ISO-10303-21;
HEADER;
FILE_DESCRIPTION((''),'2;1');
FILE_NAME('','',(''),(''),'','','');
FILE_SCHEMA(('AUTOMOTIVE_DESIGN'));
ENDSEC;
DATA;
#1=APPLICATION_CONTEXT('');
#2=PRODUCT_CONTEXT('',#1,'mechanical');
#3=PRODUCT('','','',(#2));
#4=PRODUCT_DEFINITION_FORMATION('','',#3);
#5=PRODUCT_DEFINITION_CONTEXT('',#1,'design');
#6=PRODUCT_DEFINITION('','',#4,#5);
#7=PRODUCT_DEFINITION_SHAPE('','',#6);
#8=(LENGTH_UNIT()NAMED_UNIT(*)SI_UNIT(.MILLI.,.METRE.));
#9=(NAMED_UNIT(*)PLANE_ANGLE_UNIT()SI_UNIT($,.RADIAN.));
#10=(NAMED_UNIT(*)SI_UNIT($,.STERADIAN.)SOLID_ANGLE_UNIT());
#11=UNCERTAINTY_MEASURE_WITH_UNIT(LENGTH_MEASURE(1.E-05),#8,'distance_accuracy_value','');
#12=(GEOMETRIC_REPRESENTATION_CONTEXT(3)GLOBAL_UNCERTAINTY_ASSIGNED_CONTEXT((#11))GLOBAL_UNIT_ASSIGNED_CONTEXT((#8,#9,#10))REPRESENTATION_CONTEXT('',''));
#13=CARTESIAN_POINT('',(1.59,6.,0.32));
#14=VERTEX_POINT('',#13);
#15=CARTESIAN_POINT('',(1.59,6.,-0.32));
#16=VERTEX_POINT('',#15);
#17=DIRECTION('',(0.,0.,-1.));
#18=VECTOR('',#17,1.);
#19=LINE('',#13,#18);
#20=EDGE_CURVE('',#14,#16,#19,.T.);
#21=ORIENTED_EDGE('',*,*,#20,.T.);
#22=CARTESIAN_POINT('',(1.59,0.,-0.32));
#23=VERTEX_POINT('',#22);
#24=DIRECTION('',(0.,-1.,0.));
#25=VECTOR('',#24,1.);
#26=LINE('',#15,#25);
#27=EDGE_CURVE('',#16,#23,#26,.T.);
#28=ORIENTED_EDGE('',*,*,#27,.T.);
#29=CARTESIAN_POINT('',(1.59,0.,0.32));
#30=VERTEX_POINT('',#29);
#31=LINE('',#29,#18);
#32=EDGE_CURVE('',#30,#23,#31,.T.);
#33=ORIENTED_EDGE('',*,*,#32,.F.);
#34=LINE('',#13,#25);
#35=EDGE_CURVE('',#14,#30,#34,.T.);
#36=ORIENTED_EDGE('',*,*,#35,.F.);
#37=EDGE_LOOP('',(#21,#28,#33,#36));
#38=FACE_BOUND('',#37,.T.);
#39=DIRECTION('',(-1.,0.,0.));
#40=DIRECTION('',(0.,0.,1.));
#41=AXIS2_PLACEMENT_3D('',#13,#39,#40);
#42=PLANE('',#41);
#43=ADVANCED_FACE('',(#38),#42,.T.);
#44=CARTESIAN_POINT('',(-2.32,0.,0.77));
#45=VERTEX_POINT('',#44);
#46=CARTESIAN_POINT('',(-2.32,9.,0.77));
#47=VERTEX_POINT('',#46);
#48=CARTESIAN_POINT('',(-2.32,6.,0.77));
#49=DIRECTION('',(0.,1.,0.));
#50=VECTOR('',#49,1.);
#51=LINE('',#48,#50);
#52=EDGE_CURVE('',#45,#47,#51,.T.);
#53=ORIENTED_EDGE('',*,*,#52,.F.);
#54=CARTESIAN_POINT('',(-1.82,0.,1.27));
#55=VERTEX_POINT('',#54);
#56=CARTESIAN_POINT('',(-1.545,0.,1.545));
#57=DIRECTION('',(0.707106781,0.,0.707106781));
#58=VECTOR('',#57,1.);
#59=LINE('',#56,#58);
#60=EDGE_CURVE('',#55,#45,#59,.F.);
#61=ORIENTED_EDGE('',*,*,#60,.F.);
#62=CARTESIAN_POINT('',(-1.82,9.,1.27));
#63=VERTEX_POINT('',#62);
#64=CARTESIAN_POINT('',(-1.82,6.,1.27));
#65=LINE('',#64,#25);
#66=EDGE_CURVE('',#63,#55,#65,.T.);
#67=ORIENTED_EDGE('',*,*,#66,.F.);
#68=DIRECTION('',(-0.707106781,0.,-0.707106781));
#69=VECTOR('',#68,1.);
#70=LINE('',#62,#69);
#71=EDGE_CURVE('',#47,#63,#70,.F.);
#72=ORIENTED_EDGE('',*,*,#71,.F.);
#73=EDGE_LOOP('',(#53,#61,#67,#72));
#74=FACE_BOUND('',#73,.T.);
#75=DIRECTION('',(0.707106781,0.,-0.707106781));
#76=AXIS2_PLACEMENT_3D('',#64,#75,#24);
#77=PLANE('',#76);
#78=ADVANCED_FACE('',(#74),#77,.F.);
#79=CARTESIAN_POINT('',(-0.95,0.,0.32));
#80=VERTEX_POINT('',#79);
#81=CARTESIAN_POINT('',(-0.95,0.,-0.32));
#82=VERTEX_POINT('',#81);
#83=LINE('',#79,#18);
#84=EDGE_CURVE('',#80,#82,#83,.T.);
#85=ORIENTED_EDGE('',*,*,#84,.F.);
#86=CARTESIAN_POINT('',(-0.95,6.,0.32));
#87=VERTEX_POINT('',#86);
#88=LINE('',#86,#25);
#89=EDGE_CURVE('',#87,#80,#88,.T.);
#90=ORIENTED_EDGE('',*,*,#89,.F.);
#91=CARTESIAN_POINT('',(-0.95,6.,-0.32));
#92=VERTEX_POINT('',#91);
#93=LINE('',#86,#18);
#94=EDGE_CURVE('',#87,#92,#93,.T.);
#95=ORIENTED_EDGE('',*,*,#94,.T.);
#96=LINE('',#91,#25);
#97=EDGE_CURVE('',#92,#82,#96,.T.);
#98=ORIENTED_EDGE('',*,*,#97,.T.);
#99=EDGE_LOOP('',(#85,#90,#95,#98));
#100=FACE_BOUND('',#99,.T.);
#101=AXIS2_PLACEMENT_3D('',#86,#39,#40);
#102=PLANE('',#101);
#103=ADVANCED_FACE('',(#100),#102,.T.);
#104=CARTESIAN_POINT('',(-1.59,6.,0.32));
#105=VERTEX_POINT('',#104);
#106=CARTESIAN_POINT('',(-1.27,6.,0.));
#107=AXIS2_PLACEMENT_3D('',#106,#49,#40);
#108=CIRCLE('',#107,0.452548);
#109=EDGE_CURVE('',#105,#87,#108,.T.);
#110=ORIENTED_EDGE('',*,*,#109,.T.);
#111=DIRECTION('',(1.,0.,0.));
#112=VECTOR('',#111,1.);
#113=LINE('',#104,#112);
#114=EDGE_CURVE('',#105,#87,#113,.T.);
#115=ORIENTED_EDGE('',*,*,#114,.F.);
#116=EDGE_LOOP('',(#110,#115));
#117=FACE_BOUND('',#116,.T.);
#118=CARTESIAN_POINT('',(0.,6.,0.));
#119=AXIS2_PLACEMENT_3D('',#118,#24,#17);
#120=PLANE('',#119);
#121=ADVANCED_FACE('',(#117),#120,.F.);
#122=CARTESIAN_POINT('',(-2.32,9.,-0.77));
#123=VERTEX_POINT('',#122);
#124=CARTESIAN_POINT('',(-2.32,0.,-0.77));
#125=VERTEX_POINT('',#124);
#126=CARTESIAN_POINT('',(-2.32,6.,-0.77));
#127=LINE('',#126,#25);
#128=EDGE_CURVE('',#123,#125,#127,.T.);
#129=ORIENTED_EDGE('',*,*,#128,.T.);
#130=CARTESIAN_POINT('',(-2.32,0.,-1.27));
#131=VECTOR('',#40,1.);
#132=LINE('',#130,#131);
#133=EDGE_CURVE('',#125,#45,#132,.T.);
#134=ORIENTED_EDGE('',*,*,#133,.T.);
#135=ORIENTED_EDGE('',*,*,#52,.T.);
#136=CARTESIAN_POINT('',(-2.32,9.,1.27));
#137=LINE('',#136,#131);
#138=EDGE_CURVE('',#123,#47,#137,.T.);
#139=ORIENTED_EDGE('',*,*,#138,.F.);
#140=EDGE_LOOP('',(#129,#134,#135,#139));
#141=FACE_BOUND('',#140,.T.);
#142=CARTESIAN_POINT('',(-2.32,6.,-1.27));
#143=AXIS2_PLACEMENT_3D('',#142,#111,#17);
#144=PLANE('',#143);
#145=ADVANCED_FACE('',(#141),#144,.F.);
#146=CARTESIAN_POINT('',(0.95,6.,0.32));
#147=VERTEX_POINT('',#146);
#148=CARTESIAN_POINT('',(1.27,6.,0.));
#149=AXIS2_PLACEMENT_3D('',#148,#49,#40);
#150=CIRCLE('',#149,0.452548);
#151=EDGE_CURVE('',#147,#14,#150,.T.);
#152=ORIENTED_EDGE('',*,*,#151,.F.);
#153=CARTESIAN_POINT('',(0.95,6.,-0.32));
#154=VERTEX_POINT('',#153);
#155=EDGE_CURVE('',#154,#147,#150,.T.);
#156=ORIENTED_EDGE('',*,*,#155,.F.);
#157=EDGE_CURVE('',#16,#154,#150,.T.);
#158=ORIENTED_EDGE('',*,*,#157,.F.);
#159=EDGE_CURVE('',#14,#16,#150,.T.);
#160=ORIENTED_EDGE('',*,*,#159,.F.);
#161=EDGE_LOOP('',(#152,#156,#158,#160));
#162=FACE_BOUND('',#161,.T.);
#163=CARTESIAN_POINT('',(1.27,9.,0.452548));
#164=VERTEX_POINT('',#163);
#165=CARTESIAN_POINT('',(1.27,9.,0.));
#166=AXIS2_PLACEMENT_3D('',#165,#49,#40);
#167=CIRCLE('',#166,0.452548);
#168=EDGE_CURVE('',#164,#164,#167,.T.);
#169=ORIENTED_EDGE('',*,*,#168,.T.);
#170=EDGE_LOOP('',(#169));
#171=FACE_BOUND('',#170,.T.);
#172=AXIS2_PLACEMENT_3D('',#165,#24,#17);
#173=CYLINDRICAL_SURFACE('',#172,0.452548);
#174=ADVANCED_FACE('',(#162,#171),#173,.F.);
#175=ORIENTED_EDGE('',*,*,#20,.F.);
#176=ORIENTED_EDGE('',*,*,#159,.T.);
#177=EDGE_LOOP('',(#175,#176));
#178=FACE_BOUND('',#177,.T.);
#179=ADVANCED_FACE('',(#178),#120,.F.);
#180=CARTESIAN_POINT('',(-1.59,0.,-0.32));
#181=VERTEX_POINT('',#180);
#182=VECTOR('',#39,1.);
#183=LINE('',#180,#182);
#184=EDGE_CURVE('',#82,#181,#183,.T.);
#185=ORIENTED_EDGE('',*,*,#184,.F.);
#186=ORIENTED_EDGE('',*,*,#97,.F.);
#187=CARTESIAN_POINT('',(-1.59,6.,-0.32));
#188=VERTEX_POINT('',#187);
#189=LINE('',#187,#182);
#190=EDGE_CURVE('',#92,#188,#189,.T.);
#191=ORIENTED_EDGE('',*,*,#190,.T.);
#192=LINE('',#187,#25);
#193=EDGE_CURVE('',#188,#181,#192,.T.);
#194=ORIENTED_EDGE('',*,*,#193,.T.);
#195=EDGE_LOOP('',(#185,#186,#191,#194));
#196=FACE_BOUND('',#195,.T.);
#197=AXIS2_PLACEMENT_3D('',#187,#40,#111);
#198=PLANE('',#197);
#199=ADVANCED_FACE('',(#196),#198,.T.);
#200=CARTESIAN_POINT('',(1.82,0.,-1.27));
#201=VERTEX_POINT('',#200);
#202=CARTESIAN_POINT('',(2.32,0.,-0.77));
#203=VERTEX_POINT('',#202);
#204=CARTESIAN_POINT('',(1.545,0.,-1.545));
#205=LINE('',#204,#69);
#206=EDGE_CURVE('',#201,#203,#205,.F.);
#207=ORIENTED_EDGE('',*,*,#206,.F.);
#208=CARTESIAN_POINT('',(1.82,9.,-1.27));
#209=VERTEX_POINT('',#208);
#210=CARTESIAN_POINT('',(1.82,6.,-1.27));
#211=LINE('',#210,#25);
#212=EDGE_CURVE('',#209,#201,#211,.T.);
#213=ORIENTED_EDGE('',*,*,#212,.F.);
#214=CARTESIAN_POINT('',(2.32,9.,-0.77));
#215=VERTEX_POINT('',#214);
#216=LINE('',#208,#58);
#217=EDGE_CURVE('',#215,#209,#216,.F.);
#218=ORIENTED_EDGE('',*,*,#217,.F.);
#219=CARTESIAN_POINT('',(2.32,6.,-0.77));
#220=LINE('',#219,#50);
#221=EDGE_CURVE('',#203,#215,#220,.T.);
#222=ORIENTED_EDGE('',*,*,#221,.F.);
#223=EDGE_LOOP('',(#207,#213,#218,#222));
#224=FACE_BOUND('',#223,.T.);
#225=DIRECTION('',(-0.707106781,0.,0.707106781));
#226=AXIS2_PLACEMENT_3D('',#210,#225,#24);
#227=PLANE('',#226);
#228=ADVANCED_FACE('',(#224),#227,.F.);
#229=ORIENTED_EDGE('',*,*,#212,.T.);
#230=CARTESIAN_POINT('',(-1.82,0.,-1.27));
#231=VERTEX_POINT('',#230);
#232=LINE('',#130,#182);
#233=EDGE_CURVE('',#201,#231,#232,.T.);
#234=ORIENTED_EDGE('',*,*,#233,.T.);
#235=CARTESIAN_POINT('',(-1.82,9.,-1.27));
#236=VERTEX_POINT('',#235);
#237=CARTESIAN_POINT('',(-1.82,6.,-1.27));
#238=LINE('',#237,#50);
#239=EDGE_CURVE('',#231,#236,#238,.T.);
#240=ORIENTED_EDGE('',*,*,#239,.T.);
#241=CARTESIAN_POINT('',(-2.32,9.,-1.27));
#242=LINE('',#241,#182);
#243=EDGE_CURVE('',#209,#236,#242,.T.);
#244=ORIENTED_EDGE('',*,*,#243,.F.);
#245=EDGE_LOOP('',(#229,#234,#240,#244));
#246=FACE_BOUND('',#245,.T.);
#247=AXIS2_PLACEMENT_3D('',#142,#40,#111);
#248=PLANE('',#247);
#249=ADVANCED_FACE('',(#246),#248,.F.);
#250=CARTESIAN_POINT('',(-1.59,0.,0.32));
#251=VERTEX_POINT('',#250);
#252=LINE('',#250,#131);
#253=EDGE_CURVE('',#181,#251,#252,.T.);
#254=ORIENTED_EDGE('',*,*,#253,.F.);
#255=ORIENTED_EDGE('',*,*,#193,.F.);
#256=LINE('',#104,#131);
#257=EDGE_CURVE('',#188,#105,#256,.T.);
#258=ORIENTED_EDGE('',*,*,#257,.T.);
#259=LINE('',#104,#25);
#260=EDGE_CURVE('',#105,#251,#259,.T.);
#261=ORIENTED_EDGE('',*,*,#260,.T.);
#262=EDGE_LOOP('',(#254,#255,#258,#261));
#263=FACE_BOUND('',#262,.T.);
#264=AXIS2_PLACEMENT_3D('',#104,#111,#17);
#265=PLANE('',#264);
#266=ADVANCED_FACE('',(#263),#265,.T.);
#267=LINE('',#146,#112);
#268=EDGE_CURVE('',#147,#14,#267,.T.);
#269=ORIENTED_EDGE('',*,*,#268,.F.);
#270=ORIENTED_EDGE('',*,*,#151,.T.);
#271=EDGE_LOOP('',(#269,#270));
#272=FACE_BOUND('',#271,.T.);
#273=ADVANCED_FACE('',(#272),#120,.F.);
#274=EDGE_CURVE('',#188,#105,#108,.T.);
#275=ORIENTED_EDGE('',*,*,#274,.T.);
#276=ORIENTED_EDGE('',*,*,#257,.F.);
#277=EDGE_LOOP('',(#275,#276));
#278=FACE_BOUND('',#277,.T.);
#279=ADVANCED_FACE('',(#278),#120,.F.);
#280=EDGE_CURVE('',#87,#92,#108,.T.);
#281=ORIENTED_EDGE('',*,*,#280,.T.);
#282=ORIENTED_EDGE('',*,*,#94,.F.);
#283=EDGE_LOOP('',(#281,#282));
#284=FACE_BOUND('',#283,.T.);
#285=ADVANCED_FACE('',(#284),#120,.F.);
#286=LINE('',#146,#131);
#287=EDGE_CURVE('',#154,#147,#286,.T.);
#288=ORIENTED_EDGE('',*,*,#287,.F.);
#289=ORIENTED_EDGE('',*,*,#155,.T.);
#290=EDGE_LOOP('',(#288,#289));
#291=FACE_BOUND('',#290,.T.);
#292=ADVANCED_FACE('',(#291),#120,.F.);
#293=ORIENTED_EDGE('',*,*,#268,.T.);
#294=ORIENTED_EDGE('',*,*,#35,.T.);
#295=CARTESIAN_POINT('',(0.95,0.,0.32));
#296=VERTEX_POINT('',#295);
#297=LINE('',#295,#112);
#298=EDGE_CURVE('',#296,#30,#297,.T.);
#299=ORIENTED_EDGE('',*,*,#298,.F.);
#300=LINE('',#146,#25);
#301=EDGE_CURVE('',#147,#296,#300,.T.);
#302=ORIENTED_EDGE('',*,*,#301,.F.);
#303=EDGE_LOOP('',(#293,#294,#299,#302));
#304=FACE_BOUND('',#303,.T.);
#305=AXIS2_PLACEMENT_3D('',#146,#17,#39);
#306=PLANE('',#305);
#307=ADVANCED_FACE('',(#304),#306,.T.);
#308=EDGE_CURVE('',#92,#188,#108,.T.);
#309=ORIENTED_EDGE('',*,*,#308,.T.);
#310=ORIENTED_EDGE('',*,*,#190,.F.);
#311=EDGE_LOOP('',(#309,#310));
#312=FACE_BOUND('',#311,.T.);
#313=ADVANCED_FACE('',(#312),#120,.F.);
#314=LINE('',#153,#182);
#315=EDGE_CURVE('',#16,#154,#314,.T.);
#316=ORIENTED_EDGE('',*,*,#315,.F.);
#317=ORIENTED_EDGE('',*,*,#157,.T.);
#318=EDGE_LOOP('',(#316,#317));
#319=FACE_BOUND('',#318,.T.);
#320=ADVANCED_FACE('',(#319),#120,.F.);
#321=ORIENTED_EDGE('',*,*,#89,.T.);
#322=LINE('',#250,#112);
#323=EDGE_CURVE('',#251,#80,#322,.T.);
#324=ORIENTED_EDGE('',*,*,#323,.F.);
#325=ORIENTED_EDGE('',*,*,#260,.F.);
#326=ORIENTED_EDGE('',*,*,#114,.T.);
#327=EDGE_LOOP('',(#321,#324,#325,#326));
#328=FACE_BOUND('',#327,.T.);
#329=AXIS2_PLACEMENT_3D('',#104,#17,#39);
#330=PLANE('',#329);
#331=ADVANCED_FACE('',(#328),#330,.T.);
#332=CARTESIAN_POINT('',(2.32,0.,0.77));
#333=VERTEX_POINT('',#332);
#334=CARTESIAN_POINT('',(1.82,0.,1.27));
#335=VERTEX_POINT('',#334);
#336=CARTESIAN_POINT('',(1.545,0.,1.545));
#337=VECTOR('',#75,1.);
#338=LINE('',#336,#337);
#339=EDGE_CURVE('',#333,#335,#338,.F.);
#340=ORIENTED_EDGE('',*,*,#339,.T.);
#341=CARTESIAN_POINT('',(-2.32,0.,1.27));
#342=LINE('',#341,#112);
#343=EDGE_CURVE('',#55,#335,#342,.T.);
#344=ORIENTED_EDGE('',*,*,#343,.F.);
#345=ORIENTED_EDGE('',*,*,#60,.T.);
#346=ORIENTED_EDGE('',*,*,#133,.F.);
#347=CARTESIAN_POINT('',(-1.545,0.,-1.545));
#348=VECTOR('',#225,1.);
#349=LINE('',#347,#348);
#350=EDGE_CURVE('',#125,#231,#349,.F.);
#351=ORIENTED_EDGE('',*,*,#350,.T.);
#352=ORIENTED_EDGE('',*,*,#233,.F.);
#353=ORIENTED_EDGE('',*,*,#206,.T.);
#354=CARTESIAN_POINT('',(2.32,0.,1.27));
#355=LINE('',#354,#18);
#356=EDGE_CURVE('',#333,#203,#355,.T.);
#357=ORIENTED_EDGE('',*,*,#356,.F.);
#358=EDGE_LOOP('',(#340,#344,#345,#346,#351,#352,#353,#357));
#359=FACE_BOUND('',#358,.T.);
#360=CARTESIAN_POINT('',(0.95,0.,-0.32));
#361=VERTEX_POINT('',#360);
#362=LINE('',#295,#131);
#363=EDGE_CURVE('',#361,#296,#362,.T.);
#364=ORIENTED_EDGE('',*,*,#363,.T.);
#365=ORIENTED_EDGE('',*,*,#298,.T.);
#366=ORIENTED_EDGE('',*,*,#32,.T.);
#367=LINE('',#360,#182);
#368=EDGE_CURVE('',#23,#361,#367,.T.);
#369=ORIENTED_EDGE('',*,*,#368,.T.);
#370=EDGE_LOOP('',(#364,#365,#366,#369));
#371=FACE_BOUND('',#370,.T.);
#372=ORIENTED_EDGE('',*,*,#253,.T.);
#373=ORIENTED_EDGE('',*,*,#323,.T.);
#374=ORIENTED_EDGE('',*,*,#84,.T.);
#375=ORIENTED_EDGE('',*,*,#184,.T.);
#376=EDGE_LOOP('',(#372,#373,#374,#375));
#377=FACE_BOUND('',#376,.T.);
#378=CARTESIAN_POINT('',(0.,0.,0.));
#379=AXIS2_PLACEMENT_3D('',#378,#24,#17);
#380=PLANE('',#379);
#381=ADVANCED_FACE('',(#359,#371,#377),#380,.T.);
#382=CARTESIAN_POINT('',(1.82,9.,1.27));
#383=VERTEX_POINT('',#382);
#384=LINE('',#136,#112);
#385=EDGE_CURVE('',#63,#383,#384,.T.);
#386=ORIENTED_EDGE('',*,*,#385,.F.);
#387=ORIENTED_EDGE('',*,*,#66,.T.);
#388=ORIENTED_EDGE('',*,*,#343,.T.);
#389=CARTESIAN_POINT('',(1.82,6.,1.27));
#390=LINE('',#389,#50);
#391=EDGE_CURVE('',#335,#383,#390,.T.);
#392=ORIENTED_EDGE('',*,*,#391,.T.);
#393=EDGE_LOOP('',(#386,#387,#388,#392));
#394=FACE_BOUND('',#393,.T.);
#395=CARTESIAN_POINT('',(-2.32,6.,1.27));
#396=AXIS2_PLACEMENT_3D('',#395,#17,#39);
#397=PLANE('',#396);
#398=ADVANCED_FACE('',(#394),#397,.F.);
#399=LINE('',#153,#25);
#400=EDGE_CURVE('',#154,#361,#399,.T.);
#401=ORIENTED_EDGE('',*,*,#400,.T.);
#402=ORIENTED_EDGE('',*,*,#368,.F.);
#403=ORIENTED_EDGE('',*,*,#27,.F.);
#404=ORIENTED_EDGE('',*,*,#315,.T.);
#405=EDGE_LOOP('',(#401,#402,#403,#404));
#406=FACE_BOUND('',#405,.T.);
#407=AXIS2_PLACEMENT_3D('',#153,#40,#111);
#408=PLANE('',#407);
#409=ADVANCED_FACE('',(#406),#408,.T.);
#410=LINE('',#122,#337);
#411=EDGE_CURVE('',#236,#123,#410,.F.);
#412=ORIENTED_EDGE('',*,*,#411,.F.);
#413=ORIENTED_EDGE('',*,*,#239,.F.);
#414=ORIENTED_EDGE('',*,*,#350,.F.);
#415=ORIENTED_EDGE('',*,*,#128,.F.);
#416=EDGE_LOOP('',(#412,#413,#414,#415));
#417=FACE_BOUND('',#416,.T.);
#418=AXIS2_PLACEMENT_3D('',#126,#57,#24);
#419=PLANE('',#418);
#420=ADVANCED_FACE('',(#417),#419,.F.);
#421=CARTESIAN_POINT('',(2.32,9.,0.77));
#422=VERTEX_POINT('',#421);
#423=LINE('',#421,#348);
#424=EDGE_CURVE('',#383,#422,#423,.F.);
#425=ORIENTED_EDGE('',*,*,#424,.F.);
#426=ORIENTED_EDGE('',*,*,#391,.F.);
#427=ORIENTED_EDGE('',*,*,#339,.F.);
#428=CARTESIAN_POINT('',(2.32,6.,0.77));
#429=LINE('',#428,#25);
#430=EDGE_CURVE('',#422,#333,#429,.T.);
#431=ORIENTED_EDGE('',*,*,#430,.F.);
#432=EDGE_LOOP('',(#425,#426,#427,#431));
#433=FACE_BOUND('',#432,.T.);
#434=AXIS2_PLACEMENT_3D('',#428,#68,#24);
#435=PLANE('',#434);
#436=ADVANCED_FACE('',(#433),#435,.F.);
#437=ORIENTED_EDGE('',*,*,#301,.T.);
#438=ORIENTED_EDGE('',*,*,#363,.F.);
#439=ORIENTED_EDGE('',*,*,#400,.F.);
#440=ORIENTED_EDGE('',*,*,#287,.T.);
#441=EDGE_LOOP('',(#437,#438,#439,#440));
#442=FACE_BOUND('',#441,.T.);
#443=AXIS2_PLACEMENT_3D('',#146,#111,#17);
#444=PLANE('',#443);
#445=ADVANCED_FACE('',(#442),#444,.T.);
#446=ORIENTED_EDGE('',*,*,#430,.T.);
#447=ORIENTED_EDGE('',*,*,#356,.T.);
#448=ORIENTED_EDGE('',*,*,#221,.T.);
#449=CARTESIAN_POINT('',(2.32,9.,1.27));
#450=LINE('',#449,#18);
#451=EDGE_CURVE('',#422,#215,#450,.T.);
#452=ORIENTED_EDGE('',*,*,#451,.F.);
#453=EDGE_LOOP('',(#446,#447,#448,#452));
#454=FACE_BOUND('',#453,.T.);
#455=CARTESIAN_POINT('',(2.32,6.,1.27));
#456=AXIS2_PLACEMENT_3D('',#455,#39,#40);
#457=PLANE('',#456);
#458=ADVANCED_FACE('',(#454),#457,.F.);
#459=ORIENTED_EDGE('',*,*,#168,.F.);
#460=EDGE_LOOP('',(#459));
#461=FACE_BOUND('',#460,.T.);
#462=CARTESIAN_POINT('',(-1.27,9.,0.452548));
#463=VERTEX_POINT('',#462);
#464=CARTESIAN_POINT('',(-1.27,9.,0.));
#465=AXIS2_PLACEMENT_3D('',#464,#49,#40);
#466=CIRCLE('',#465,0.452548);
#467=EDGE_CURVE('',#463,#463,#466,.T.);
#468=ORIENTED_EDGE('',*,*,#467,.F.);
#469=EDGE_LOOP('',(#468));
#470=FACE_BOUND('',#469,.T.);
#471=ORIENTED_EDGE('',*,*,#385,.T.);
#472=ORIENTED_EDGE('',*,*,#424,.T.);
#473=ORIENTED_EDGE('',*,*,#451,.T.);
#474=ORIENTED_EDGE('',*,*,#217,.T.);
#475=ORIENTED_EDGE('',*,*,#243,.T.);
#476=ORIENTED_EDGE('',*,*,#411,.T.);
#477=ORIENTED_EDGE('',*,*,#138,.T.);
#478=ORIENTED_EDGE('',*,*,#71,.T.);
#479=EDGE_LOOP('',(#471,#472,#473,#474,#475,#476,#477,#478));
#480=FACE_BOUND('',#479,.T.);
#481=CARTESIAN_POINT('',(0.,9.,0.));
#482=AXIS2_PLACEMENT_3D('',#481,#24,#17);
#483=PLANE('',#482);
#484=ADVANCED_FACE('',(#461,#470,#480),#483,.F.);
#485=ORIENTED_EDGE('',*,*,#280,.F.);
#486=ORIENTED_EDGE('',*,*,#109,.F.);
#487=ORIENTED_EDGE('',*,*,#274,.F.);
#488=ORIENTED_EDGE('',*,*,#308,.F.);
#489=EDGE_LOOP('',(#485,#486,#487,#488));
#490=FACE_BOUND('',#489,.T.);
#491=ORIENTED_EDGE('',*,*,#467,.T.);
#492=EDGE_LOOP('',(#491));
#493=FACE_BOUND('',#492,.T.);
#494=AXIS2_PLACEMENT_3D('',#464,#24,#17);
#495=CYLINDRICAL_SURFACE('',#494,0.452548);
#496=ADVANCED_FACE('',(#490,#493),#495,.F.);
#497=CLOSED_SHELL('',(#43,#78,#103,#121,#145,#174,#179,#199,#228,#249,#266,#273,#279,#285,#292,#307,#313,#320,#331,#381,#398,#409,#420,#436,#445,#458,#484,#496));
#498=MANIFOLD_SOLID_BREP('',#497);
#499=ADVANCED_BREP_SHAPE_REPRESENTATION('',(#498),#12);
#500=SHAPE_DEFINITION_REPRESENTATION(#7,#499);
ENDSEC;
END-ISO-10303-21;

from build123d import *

# Parameters (mm, degrees)
SKETCH_1_W      = 4.64
SKETCH_1_H      = 2.54
SKETCH_1_W_2    = 0.64
SKETCH_1_H_2    = 0.64
EXTRUDE_1_DEPTH = 6
SKETCH_2_W      = 4.64
SKETCH_2_H      = 2.54
SKETCH_2_R      = 0.45254834
EXTRUDE_2_DEPTH = 3
CHAMFER_1_SIZE  = 0.5


with BuildPart() as part:
    # Эскиз1 → Бобышка-Вытянуть1 (new body)
    with BuildSketch(Plane(origin=(0, 0, 0), x_dir=(1, 0, 0), z_dir=(0, 1, 0))):
        Rectangle(SKETCH_1_W, SKETCH_1_H)
        with Locations((-1.27, 0)):
            Rectangle(SKETCH_1_W_2, SKETCH_1_H_2, mode=Mode.SUBTRACT)
        with Locations((1.27, 0)):
            Rectangle(SKETCH_1_W_2, SKETCH_1_H_2, mode=Mode.SUBTRACT)
    extrude(amount=EXTRUDE_1_DEPTH)

    # Эскиз2 → Бобышка-Вытянуть2 (add)
    with BuildSketch(Plane(origin=(0, 6, 0), x_dir=(1, 0, 0), z_dir=(0, 1, 0))):
        Rectangle(SKETCH_2_W, SKETCH_2_H)
        with Locations((-1.27, 0)):
            Circle(SKETCH_2_R, mode=Mode.SUBTRACT)
        with Locations((1.27, 0)):
            Circle(SKETCH_2_R, mode=Mode.SUBTRACT)
    extrude(amount=EXTRUDE_2_DEPTH)

    # Фаска1
    chamfer_1_edges = [part.edges().sort_by_distance(p)[0] for p in [
        (2.32, 4.5, 1.27),
        (-2.32, 4.5, 1.27),
        (-2.32, 4.5, -1.27),
        (2.32, 4.5, -1.27),
    ]]
    chamfer(chamfer_1_edges, length=CHAMFER_1_SIZE)


solid = part.part
